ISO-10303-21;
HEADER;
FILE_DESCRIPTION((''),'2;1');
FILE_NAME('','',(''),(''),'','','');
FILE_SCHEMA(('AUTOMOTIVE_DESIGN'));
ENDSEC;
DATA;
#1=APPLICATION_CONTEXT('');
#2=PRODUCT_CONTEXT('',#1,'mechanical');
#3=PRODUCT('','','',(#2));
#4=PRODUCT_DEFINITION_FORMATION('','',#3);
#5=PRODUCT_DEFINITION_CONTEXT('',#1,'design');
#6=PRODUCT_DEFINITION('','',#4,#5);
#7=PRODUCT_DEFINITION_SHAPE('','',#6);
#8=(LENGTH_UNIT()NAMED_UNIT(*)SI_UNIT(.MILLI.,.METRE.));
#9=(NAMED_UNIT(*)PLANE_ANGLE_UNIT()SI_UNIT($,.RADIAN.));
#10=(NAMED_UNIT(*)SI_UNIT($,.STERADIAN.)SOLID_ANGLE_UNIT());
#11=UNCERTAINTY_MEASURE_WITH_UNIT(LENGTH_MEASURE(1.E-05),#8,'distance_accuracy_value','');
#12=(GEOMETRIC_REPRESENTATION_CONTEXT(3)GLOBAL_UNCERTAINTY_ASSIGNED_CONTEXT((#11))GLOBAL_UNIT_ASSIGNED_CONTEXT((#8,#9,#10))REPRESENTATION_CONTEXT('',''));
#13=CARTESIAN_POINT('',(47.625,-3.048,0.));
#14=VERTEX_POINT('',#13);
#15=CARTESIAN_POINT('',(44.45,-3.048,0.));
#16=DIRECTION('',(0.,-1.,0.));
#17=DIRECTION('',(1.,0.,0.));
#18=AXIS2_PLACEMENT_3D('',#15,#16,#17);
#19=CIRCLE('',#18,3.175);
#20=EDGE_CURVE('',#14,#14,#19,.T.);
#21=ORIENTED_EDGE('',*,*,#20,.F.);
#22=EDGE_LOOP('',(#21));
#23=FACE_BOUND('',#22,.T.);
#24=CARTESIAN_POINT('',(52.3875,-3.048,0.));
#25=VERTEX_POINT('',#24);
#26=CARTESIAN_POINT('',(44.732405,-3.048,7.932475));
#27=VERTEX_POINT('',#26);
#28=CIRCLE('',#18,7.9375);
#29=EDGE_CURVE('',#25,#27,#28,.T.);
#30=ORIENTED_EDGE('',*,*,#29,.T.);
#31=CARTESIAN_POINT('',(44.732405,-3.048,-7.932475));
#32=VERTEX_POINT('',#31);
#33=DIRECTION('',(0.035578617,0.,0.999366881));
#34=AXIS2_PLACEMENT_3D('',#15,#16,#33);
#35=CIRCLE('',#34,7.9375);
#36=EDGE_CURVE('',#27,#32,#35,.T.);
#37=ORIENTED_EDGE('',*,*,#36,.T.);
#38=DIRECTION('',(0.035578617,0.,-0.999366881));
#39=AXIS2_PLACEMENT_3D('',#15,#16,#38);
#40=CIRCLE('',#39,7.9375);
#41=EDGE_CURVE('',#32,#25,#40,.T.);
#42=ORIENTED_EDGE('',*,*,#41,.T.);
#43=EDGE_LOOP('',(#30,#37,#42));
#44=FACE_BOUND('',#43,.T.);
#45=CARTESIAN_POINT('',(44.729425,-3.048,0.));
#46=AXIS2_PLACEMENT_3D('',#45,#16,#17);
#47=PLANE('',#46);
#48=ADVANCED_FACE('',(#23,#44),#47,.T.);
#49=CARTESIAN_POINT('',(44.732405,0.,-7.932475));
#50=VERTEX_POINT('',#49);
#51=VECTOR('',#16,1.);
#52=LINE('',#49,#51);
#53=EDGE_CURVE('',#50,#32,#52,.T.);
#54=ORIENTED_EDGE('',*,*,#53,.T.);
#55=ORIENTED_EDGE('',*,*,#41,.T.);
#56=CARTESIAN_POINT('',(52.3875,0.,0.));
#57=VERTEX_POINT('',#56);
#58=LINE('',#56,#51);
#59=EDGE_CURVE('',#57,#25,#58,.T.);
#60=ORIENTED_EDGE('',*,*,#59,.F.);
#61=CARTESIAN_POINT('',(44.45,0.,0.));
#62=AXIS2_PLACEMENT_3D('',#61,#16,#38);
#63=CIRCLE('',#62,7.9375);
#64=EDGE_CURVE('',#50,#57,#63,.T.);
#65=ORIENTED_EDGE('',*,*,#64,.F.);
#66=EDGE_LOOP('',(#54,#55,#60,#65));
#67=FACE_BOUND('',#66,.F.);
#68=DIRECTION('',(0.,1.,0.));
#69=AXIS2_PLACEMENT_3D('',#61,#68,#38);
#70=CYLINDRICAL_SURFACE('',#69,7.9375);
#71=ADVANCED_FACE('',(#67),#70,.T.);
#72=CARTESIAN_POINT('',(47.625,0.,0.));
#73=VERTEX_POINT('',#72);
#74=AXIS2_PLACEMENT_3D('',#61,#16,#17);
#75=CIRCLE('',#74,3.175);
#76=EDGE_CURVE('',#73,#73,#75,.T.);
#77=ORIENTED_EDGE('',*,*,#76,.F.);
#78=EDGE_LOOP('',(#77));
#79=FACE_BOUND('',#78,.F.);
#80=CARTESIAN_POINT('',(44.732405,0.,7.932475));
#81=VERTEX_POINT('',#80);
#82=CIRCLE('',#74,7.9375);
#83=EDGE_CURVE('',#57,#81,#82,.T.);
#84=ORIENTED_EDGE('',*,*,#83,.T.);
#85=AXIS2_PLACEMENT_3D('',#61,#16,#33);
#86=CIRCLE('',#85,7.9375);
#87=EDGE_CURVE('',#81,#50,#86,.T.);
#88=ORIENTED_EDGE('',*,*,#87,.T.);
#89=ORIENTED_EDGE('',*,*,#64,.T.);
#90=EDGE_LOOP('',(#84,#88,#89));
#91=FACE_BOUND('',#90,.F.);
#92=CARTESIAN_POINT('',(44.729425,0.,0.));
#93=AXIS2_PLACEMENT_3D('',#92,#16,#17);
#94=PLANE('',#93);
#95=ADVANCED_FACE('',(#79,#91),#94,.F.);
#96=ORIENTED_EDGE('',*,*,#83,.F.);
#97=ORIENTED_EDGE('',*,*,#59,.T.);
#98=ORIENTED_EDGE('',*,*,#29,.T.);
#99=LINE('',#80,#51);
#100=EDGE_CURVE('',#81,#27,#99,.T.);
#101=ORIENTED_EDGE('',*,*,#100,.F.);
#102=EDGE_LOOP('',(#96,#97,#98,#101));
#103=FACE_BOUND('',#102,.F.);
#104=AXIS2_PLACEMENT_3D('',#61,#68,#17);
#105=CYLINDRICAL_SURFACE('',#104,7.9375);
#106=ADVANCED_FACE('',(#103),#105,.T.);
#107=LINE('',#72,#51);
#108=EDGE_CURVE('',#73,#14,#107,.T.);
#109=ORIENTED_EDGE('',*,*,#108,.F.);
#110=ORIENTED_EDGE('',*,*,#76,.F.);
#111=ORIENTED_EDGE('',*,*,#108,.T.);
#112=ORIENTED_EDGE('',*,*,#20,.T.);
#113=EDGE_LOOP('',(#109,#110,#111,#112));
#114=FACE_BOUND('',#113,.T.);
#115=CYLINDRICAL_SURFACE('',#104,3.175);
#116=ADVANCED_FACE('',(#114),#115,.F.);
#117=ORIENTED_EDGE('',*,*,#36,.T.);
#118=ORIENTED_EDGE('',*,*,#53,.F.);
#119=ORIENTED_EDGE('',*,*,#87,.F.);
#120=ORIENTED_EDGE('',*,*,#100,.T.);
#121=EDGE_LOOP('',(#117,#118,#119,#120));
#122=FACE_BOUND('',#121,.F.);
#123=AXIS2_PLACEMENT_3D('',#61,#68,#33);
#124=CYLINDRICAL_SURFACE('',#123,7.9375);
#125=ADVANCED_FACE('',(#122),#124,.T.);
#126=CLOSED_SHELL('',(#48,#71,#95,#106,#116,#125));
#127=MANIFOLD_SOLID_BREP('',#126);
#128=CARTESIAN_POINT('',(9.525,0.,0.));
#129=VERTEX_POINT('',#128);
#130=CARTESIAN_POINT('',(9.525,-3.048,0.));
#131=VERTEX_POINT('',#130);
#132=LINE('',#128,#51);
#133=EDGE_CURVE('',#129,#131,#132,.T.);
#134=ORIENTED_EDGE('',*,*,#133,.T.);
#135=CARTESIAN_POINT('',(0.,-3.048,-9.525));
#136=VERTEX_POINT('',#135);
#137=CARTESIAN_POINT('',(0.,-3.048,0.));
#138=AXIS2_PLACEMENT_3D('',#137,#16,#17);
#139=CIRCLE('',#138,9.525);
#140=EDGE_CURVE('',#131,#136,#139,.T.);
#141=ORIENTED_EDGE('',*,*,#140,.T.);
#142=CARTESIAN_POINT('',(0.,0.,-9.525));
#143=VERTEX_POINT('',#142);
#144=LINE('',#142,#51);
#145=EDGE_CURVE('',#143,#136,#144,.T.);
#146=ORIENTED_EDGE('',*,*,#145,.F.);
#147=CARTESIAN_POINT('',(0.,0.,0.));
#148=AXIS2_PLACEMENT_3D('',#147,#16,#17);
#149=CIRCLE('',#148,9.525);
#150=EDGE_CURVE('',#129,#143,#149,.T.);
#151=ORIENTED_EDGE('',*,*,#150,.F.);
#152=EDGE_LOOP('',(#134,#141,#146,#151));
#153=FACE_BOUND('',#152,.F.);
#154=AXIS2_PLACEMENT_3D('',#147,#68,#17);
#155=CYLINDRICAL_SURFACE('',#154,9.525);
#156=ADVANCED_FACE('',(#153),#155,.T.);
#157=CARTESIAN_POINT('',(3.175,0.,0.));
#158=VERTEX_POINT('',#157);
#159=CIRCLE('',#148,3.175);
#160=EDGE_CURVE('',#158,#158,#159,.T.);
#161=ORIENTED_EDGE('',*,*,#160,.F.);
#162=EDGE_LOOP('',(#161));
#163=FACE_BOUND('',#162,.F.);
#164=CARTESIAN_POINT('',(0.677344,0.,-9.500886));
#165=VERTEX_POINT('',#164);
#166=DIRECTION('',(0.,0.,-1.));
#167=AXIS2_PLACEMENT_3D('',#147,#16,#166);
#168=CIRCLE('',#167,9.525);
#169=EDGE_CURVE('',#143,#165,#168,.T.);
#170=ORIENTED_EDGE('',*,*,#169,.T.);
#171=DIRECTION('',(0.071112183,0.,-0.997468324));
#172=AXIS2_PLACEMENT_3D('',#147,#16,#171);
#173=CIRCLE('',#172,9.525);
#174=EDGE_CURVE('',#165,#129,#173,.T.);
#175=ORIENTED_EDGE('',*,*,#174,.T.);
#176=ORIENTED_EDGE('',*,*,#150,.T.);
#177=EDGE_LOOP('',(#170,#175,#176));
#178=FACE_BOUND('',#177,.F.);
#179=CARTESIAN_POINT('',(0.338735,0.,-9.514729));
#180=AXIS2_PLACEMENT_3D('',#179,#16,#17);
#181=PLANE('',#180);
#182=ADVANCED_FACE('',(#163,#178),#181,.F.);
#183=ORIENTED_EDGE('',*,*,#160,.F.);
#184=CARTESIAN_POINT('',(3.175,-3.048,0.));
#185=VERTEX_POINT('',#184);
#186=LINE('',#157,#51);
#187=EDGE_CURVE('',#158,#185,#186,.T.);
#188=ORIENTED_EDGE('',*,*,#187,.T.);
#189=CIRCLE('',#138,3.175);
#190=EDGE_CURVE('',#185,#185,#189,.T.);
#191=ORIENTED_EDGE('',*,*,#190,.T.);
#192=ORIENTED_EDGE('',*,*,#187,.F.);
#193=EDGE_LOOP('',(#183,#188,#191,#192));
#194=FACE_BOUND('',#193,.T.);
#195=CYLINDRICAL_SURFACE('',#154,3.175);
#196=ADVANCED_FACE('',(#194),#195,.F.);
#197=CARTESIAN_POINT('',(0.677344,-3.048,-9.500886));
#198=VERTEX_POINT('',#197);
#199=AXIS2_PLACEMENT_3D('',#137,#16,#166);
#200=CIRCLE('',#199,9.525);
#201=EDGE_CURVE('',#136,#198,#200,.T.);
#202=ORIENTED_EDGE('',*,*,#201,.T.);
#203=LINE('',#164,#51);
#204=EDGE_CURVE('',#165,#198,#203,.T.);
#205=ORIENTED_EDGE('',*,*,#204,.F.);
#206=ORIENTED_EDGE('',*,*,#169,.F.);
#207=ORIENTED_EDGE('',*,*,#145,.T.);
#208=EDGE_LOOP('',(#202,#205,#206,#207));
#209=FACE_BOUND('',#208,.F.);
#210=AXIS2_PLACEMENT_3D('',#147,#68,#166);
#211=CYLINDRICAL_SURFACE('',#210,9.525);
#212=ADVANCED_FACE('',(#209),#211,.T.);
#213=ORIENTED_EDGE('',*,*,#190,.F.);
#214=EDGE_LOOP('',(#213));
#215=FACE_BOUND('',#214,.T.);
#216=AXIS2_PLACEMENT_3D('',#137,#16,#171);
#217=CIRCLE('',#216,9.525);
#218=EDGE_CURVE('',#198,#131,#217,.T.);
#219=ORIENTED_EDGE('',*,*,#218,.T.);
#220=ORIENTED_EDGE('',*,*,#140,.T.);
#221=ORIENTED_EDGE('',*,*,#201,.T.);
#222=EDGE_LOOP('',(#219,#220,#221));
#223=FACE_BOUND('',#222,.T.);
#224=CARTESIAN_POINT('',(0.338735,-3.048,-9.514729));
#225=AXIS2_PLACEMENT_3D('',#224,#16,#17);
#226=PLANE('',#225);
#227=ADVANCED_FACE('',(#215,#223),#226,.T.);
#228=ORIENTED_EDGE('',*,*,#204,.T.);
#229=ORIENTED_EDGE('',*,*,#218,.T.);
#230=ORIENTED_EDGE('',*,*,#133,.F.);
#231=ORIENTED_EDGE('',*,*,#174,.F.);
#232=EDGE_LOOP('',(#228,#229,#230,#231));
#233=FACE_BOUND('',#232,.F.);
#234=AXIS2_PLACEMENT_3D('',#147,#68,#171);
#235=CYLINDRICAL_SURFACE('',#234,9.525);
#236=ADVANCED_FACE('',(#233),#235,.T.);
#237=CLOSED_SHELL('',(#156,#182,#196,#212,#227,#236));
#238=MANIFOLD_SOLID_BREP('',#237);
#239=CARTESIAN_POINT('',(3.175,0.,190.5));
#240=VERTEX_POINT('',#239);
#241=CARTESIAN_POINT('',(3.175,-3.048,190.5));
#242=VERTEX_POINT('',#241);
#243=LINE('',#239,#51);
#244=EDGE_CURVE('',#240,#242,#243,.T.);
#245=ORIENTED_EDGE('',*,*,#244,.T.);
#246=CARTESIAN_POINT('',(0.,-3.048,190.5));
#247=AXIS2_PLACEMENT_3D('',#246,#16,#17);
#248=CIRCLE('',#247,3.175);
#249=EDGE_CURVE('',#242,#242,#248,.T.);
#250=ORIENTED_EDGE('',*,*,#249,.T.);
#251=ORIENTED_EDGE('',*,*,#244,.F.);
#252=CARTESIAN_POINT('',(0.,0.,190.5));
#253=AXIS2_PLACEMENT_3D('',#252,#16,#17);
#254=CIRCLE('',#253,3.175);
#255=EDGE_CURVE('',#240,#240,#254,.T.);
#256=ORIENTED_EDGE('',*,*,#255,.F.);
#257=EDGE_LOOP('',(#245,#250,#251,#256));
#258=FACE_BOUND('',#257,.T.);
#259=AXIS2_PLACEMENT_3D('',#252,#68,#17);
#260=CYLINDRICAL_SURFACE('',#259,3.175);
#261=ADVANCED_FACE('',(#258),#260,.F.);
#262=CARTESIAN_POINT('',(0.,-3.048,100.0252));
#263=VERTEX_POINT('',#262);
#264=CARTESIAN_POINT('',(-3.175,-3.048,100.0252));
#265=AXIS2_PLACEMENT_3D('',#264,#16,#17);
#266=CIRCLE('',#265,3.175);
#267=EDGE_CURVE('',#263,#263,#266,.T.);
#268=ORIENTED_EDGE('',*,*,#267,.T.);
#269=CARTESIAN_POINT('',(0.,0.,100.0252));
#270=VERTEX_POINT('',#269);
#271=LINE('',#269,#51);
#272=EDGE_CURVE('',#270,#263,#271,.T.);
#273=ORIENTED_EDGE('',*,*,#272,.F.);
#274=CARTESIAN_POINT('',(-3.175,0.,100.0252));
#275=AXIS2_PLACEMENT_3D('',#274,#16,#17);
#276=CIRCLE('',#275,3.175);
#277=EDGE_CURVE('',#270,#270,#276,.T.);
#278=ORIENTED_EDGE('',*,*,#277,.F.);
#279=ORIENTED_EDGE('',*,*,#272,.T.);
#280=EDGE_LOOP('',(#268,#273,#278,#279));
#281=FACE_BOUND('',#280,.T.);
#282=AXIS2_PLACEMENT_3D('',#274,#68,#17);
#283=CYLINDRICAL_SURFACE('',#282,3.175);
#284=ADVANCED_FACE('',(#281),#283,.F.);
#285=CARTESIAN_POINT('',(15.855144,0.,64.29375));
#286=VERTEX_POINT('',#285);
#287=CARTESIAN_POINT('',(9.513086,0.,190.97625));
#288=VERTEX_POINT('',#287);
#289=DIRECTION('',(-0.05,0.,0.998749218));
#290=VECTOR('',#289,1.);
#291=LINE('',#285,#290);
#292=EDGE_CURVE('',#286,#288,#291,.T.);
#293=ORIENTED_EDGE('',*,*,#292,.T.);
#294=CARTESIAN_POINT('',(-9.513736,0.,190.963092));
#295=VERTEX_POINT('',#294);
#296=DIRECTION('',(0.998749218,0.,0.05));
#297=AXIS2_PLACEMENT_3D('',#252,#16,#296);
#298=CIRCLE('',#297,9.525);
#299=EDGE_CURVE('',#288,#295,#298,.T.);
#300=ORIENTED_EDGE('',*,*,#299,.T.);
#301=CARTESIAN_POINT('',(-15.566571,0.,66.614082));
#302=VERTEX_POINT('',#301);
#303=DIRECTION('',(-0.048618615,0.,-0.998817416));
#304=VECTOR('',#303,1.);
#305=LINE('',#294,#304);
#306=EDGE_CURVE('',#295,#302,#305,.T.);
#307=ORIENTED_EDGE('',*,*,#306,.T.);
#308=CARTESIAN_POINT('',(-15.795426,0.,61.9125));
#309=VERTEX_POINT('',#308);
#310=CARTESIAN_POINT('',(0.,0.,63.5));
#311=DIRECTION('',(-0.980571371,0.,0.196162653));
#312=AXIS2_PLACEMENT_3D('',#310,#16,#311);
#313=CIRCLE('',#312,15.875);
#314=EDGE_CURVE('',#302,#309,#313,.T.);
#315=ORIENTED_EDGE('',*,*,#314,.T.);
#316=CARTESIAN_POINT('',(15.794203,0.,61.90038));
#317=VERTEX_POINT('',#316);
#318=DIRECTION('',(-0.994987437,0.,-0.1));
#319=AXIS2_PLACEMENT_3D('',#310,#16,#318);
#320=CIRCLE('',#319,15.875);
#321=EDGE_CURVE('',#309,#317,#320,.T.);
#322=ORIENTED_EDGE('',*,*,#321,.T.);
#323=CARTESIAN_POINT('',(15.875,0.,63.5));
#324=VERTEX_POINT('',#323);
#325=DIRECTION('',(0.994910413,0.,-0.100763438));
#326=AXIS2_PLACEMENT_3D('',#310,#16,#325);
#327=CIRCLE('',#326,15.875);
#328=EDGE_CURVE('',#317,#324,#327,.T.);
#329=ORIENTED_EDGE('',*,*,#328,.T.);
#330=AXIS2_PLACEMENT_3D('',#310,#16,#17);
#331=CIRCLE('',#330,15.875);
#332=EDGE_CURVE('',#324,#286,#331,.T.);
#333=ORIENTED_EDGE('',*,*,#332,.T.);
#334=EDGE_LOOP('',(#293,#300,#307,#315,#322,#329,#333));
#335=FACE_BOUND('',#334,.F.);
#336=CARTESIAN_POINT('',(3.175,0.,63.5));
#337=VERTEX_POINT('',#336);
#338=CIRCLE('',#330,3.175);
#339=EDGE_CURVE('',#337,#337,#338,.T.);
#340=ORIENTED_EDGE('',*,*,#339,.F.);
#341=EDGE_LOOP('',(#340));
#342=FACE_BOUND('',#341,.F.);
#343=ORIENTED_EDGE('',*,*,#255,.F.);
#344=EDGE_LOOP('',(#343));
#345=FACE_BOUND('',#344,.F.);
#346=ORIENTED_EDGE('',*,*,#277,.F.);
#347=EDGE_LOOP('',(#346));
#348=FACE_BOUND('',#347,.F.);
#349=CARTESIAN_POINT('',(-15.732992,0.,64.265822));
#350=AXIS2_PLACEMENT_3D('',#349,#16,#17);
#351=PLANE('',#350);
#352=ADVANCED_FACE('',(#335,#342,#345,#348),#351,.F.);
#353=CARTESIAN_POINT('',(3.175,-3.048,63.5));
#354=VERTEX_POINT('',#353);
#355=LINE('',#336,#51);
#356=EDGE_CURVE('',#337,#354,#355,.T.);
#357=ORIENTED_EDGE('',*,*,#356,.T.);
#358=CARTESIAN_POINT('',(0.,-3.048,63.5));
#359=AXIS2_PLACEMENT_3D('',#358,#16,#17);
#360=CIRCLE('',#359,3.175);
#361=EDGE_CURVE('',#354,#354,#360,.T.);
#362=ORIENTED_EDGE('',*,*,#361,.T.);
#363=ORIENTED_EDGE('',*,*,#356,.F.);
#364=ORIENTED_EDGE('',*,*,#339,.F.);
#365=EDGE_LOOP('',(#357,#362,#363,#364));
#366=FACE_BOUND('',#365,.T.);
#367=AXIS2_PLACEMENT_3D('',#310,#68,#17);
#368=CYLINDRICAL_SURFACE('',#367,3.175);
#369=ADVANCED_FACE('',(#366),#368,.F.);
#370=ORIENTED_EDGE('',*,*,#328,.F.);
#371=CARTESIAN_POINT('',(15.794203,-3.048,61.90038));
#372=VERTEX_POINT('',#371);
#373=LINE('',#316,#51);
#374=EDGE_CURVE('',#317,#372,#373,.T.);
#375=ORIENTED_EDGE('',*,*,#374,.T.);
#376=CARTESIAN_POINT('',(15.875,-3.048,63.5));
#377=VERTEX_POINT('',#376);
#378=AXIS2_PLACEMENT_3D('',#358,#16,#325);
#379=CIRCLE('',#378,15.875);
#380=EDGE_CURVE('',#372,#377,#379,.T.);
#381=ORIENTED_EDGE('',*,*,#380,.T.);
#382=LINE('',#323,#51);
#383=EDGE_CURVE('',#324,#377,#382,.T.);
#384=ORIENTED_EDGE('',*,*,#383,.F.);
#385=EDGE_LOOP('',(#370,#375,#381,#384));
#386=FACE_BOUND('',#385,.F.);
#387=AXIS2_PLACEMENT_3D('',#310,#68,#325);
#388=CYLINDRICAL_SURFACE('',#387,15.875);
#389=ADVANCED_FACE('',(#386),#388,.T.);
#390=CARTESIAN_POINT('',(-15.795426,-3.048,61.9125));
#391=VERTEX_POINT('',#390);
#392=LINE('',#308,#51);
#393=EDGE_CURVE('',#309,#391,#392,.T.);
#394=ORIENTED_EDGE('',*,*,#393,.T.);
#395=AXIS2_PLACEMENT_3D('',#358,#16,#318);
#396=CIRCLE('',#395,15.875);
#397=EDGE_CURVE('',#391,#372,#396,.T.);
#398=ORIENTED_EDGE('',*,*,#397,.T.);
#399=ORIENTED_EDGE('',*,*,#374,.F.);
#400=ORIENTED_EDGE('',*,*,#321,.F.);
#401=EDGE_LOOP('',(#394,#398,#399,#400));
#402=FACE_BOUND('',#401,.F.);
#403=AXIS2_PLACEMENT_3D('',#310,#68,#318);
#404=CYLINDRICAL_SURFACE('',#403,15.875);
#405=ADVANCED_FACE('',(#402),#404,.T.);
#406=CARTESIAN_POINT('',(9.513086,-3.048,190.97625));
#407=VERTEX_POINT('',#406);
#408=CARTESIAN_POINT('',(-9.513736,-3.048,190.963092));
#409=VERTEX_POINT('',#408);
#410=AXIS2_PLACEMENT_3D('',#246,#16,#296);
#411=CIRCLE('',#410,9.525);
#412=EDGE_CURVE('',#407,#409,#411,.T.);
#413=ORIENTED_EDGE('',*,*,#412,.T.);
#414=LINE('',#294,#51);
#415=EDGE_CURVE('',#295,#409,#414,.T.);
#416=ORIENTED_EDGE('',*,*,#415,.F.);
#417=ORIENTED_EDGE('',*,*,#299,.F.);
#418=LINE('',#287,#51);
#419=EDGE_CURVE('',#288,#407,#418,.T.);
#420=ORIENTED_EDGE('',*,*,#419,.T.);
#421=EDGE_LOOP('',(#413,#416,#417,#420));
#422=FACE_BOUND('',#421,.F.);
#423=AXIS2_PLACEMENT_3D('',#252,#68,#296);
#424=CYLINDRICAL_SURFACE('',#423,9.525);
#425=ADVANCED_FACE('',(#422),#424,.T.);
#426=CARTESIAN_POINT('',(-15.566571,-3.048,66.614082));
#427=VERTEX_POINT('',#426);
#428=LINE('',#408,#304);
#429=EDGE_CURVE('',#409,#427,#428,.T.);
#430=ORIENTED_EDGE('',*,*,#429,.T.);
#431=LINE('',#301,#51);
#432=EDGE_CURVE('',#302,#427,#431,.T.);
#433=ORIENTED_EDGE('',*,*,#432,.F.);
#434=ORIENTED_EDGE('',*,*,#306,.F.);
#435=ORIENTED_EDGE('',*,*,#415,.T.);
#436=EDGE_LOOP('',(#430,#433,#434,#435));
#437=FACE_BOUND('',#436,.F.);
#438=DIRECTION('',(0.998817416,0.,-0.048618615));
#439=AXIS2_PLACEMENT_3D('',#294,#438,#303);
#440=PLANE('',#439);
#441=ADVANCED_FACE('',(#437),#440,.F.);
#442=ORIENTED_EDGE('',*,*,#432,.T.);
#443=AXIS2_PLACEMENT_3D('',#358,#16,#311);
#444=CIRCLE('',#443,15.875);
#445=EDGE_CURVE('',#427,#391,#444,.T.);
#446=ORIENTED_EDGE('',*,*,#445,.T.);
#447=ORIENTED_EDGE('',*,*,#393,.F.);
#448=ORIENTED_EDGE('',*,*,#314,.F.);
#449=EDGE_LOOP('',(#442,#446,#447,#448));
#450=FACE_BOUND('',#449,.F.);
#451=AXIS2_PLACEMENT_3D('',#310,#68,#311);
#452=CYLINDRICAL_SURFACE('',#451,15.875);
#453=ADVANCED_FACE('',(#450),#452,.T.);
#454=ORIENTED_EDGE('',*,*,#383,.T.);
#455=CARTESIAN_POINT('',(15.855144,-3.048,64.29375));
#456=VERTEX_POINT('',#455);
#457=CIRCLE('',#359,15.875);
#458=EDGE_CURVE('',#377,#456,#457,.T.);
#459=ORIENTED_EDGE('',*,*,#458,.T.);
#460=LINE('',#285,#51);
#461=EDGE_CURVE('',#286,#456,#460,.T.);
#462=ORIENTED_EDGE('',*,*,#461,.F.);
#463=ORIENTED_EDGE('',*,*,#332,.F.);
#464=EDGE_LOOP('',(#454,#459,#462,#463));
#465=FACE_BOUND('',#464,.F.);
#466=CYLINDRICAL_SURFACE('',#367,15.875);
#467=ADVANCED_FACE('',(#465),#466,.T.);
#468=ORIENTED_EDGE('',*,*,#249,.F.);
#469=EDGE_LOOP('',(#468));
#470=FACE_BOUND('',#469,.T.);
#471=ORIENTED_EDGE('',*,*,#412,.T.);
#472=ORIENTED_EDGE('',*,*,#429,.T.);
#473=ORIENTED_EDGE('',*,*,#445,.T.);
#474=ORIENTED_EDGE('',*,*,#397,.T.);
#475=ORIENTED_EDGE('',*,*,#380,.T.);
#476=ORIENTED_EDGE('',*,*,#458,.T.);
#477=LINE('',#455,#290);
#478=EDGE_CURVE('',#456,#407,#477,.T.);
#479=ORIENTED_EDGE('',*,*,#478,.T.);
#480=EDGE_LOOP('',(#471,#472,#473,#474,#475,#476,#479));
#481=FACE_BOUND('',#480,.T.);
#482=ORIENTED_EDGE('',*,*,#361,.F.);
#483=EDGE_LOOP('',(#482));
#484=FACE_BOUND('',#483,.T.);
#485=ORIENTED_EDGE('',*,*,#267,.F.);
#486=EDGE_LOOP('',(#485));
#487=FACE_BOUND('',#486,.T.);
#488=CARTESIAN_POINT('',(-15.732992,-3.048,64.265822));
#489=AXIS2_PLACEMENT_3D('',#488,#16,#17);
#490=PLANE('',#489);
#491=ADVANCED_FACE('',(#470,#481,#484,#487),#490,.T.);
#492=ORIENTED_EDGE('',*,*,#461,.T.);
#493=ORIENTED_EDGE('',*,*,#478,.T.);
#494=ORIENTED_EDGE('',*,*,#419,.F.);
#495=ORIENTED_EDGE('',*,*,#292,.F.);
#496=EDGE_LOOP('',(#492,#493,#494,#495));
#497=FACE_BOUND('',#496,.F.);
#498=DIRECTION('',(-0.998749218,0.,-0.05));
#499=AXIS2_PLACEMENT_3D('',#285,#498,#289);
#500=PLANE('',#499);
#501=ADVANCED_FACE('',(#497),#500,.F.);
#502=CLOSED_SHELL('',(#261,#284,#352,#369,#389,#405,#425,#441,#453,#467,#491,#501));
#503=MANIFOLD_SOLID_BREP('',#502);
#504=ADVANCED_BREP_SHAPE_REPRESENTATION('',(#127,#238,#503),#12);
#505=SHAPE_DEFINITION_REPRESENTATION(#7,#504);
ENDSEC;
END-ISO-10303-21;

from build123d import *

# Parameters (mm, degrees)
F0_R     = 3.175
F1_DEPTH = 3.048


with BuildPart() as f1:
    # F0 (on Front) → F1 (new body)
    with BuildSketch(Plane.XZ):
        with BuildLine():
            Line((0.6773435479, -9.500885786), (0, -9.525))
            ThreePointArc((0, -9.525), (0.3388863295, -9.5189695375), (0.6773435479, -9.500885786))
        make_face()
        with BuildLine():
            ThreePointArc((0.6773435479, -9.500885786), (6.9705567315, -6.4912990883), (9.525, 0))
            ThreePointArc((9.525, 0), (-6.7351920908, 6.7351920908), (0, -9.525))
            Line((0, -9.525), (0.6773435479, -9.500885786))
        make_face()
        Circle(F0_R, mode=Mode.SUBTRACT)
    extrude(amount=F1_DEPTH)


with BuildPart() as f1b:
    # F0 (on Front) → F1, piece 2 (new body)
    with BuildSketch(Plane.XZ):
        with BuildLine():
            ThreePointArc((-15.5665705131, 66.6140821219), (-15.8562264772, 64.2718205117), (-15.7954255641, 61.9125))
            Line((-15.7954255641, 61.9125), (-15.5665705131, 66.6140821219))
        make_face()
        with BuildLine():
            ThreePointArc((9.5130862993, 190.97625), (-0.006586859, 200.0249977225), (-9.5137358863, 190.963092307))
            ThreePointArc((-9.5137358863, 190.963092307), (-0.2316146396, 180.9778164448), (9.525, 190.5))
            ThreePointArc((9.525, 190.5), (9.522021109, 190.7381994956), (9.5130862993, 190.97625))
        make_face()
        with Locations((0, 190.5)):
            Circle(F0_R, mode=Mode.SUBTRACT)
        with BuildLine():
            ThreePointArc((-15.7954255641, 61.9125), (-0.0060905531, 47.6250011683), (15.7942028036, 61.9003804205))
            ThreePointArc((15.7942028036, 61.9003804205), (15.8547878338, 62.6991705884), (15.875, 63.5))
            ThreePointArc((15.875, 63.5), (15.8700351817, 63.8969991593), (15.8551438321, 64.29375))
            ThreePointArc((15.8551438321, 64.29375), (1.1691039, 79.3318925297), (-15.5665705131, 66.6140821219))
            Line((-15.5665705131, 66.6140821219), (-15.7954255641, 61.9125))
        make_face()
        with Locations((0, 63.5)):
            Circle(F0_R, mode=Mode.SUBTRACT)
        with BuildLine():
            Line((-9.5137358863, 190.963092307), (-15.5665705131, 66.6140821219))
            ThreePointArc((-15.5665705131, 66.6140821219), (1.1691039, 79.3318925297), (15.8551438321, 64.29375))
            Line((15.8551438321, 64.29375), (9.5130862993, 190.97625))
            ThreePointArc((9.5130862993, 190.97625), (9.522021109, 190.7381994956), (9.525, 190.5))
            ThreePointArc((9.525, 190.5), (-0.2316146396, 180.9778164448), (-9.5137358863, 190.963092307))
        make_face()
        with Locations((-3.175, 100.0252)):
            Circle(F0_R, mode=Mode.SUBTRACT)
    extrude(amount=F1_DEPTH)


with BuildPart() as f1c:
    # F0 (on Front) → F1, piece 3 (new body)
    with BuildSketch(Plane.XZ):
        with BuildLine():
            ThreePointArc((44.7324052746, 7.9324746146), (36.5125, 0), (44.7324052746, -7.9324746146))
            ThreePointArc((44.7324052746, -7.9324746146), (50.1616327839, -5.5119104847), (52.3875, 0))
            ThreePointArc((52.3875, 0), (50.1616327839, 5.5119104847), (44.7324052746, 7.9324746146))
        make_face()
        with Locations((44.45, 0)):
            Circle(F0_R, mode=Mode.SUBTRACT)
    extrude(amount=F1_DEPTH)


solid = Compound([f1.part, f1b.part, f1c.part])
